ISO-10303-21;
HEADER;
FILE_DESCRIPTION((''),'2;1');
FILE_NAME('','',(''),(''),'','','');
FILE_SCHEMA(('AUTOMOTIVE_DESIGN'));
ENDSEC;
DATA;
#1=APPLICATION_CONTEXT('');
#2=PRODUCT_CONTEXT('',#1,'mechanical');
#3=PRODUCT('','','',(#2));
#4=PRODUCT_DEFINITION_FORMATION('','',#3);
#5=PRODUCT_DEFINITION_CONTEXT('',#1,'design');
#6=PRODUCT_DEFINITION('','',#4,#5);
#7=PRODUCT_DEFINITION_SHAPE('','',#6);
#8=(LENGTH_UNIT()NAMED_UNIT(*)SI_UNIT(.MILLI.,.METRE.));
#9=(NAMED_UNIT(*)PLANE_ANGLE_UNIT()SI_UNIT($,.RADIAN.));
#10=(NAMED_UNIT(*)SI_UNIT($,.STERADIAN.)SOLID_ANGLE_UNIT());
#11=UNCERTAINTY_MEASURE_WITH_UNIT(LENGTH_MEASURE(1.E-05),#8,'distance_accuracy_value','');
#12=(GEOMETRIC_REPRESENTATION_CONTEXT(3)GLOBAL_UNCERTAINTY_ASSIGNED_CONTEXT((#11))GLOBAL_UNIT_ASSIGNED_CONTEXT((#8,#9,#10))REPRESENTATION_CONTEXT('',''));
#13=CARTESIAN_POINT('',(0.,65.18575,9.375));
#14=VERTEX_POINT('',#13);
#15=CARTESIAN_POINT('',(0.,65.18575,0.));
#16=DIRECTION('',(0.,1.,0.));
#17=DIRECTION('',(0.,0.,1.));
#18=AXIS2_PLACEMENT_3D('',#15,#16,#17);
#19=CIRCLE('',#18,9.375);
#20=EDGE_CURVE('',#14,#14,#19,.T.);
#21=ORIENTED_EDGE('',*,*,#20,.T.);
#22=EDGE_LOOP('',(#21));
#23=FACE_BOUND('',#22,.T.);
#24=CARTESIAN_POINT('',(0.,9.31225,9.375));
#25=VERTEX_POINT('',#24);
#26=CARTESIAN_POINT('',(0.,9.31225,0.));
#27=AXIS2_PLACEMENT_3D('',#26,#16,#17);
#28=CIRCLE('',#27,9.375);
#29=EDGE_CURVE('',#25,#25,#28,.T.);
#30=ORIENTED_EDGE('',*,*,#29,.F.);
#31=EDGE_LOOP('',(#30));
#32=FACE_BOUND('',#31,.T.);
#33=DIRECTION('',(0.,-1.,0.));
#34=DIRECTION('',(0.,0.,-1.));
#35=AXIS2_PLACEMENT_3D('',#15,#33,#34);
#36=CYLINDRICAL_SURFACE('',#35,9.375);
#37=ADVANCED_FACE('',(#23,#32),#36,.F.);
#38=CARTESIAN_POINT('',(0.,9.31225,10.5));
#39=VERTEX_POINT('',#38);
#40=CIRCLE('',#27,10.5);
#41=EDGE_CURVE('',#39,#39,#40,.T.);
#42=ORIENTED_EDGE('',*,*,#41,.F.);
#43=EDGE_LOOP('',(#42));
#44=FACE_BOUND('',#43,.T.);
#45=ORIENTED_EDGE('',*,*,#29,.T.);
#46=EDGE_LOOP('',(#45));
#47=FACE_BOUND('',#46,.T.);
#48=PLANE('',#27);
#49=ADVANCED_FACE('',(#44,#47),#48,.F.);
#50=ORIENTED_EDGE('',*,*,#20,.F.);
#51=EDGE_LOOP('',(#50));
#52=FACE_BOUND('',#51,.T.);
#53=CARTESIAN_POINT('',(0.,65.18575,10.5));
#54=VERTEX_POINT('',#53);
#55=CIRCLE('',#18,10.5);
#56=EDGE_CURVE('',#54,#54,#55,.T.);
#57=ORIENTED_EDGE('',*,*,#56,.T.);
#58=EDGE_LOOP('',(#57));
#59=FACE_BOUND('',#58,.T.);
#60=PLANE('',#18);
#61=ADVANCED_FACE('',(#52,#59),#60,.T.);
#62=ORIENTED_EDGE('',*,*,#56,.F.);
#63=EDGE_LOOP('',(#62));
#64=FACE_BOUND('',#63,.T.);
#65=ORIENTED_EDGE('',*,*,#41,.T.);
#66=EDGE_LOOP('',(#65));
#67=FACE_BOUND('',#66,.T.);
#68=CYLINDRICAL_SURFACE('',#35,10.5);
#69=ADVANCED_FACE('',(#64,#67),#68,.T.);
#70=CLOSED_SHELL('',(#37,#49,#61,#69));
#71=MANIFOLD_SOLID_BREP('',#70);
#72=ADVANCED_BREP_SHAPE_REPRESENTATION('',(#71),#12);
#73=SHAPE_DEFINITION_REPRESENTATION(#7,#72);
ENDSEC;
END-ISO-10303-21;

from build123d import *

# Parameters (mm, degrees)
SKETCH1_R           = 14
SKETCH1_R_2         = 12.5
BOSS_EXTRUDE1_DEPTH = 74.498
SCALE1_SCALE        = 0.75


with BuildPart() as part:
    # Sketch1 → Boss-Extrude1 (new body)
    with BuildSketch(Plane(origin=(0, 0, 0), x_dir=(1, 0, 0), z_dir=(0, 1, 0))):
        Circle(SKETCH1_R)
        Circle(SKETCH1_R_2, mode=Mode.SUBTRACT)
    extrude(amount=BOSS_EXTRUDE1_DEPTH)


with BuildPart() as part_1:
    # Scale1: scaled about (0, 37.249, 0)
    add(part.part.scale(SCALE1_SCALE).moved(Location((0, 9.31225, 0))))


solid = part_1.part
